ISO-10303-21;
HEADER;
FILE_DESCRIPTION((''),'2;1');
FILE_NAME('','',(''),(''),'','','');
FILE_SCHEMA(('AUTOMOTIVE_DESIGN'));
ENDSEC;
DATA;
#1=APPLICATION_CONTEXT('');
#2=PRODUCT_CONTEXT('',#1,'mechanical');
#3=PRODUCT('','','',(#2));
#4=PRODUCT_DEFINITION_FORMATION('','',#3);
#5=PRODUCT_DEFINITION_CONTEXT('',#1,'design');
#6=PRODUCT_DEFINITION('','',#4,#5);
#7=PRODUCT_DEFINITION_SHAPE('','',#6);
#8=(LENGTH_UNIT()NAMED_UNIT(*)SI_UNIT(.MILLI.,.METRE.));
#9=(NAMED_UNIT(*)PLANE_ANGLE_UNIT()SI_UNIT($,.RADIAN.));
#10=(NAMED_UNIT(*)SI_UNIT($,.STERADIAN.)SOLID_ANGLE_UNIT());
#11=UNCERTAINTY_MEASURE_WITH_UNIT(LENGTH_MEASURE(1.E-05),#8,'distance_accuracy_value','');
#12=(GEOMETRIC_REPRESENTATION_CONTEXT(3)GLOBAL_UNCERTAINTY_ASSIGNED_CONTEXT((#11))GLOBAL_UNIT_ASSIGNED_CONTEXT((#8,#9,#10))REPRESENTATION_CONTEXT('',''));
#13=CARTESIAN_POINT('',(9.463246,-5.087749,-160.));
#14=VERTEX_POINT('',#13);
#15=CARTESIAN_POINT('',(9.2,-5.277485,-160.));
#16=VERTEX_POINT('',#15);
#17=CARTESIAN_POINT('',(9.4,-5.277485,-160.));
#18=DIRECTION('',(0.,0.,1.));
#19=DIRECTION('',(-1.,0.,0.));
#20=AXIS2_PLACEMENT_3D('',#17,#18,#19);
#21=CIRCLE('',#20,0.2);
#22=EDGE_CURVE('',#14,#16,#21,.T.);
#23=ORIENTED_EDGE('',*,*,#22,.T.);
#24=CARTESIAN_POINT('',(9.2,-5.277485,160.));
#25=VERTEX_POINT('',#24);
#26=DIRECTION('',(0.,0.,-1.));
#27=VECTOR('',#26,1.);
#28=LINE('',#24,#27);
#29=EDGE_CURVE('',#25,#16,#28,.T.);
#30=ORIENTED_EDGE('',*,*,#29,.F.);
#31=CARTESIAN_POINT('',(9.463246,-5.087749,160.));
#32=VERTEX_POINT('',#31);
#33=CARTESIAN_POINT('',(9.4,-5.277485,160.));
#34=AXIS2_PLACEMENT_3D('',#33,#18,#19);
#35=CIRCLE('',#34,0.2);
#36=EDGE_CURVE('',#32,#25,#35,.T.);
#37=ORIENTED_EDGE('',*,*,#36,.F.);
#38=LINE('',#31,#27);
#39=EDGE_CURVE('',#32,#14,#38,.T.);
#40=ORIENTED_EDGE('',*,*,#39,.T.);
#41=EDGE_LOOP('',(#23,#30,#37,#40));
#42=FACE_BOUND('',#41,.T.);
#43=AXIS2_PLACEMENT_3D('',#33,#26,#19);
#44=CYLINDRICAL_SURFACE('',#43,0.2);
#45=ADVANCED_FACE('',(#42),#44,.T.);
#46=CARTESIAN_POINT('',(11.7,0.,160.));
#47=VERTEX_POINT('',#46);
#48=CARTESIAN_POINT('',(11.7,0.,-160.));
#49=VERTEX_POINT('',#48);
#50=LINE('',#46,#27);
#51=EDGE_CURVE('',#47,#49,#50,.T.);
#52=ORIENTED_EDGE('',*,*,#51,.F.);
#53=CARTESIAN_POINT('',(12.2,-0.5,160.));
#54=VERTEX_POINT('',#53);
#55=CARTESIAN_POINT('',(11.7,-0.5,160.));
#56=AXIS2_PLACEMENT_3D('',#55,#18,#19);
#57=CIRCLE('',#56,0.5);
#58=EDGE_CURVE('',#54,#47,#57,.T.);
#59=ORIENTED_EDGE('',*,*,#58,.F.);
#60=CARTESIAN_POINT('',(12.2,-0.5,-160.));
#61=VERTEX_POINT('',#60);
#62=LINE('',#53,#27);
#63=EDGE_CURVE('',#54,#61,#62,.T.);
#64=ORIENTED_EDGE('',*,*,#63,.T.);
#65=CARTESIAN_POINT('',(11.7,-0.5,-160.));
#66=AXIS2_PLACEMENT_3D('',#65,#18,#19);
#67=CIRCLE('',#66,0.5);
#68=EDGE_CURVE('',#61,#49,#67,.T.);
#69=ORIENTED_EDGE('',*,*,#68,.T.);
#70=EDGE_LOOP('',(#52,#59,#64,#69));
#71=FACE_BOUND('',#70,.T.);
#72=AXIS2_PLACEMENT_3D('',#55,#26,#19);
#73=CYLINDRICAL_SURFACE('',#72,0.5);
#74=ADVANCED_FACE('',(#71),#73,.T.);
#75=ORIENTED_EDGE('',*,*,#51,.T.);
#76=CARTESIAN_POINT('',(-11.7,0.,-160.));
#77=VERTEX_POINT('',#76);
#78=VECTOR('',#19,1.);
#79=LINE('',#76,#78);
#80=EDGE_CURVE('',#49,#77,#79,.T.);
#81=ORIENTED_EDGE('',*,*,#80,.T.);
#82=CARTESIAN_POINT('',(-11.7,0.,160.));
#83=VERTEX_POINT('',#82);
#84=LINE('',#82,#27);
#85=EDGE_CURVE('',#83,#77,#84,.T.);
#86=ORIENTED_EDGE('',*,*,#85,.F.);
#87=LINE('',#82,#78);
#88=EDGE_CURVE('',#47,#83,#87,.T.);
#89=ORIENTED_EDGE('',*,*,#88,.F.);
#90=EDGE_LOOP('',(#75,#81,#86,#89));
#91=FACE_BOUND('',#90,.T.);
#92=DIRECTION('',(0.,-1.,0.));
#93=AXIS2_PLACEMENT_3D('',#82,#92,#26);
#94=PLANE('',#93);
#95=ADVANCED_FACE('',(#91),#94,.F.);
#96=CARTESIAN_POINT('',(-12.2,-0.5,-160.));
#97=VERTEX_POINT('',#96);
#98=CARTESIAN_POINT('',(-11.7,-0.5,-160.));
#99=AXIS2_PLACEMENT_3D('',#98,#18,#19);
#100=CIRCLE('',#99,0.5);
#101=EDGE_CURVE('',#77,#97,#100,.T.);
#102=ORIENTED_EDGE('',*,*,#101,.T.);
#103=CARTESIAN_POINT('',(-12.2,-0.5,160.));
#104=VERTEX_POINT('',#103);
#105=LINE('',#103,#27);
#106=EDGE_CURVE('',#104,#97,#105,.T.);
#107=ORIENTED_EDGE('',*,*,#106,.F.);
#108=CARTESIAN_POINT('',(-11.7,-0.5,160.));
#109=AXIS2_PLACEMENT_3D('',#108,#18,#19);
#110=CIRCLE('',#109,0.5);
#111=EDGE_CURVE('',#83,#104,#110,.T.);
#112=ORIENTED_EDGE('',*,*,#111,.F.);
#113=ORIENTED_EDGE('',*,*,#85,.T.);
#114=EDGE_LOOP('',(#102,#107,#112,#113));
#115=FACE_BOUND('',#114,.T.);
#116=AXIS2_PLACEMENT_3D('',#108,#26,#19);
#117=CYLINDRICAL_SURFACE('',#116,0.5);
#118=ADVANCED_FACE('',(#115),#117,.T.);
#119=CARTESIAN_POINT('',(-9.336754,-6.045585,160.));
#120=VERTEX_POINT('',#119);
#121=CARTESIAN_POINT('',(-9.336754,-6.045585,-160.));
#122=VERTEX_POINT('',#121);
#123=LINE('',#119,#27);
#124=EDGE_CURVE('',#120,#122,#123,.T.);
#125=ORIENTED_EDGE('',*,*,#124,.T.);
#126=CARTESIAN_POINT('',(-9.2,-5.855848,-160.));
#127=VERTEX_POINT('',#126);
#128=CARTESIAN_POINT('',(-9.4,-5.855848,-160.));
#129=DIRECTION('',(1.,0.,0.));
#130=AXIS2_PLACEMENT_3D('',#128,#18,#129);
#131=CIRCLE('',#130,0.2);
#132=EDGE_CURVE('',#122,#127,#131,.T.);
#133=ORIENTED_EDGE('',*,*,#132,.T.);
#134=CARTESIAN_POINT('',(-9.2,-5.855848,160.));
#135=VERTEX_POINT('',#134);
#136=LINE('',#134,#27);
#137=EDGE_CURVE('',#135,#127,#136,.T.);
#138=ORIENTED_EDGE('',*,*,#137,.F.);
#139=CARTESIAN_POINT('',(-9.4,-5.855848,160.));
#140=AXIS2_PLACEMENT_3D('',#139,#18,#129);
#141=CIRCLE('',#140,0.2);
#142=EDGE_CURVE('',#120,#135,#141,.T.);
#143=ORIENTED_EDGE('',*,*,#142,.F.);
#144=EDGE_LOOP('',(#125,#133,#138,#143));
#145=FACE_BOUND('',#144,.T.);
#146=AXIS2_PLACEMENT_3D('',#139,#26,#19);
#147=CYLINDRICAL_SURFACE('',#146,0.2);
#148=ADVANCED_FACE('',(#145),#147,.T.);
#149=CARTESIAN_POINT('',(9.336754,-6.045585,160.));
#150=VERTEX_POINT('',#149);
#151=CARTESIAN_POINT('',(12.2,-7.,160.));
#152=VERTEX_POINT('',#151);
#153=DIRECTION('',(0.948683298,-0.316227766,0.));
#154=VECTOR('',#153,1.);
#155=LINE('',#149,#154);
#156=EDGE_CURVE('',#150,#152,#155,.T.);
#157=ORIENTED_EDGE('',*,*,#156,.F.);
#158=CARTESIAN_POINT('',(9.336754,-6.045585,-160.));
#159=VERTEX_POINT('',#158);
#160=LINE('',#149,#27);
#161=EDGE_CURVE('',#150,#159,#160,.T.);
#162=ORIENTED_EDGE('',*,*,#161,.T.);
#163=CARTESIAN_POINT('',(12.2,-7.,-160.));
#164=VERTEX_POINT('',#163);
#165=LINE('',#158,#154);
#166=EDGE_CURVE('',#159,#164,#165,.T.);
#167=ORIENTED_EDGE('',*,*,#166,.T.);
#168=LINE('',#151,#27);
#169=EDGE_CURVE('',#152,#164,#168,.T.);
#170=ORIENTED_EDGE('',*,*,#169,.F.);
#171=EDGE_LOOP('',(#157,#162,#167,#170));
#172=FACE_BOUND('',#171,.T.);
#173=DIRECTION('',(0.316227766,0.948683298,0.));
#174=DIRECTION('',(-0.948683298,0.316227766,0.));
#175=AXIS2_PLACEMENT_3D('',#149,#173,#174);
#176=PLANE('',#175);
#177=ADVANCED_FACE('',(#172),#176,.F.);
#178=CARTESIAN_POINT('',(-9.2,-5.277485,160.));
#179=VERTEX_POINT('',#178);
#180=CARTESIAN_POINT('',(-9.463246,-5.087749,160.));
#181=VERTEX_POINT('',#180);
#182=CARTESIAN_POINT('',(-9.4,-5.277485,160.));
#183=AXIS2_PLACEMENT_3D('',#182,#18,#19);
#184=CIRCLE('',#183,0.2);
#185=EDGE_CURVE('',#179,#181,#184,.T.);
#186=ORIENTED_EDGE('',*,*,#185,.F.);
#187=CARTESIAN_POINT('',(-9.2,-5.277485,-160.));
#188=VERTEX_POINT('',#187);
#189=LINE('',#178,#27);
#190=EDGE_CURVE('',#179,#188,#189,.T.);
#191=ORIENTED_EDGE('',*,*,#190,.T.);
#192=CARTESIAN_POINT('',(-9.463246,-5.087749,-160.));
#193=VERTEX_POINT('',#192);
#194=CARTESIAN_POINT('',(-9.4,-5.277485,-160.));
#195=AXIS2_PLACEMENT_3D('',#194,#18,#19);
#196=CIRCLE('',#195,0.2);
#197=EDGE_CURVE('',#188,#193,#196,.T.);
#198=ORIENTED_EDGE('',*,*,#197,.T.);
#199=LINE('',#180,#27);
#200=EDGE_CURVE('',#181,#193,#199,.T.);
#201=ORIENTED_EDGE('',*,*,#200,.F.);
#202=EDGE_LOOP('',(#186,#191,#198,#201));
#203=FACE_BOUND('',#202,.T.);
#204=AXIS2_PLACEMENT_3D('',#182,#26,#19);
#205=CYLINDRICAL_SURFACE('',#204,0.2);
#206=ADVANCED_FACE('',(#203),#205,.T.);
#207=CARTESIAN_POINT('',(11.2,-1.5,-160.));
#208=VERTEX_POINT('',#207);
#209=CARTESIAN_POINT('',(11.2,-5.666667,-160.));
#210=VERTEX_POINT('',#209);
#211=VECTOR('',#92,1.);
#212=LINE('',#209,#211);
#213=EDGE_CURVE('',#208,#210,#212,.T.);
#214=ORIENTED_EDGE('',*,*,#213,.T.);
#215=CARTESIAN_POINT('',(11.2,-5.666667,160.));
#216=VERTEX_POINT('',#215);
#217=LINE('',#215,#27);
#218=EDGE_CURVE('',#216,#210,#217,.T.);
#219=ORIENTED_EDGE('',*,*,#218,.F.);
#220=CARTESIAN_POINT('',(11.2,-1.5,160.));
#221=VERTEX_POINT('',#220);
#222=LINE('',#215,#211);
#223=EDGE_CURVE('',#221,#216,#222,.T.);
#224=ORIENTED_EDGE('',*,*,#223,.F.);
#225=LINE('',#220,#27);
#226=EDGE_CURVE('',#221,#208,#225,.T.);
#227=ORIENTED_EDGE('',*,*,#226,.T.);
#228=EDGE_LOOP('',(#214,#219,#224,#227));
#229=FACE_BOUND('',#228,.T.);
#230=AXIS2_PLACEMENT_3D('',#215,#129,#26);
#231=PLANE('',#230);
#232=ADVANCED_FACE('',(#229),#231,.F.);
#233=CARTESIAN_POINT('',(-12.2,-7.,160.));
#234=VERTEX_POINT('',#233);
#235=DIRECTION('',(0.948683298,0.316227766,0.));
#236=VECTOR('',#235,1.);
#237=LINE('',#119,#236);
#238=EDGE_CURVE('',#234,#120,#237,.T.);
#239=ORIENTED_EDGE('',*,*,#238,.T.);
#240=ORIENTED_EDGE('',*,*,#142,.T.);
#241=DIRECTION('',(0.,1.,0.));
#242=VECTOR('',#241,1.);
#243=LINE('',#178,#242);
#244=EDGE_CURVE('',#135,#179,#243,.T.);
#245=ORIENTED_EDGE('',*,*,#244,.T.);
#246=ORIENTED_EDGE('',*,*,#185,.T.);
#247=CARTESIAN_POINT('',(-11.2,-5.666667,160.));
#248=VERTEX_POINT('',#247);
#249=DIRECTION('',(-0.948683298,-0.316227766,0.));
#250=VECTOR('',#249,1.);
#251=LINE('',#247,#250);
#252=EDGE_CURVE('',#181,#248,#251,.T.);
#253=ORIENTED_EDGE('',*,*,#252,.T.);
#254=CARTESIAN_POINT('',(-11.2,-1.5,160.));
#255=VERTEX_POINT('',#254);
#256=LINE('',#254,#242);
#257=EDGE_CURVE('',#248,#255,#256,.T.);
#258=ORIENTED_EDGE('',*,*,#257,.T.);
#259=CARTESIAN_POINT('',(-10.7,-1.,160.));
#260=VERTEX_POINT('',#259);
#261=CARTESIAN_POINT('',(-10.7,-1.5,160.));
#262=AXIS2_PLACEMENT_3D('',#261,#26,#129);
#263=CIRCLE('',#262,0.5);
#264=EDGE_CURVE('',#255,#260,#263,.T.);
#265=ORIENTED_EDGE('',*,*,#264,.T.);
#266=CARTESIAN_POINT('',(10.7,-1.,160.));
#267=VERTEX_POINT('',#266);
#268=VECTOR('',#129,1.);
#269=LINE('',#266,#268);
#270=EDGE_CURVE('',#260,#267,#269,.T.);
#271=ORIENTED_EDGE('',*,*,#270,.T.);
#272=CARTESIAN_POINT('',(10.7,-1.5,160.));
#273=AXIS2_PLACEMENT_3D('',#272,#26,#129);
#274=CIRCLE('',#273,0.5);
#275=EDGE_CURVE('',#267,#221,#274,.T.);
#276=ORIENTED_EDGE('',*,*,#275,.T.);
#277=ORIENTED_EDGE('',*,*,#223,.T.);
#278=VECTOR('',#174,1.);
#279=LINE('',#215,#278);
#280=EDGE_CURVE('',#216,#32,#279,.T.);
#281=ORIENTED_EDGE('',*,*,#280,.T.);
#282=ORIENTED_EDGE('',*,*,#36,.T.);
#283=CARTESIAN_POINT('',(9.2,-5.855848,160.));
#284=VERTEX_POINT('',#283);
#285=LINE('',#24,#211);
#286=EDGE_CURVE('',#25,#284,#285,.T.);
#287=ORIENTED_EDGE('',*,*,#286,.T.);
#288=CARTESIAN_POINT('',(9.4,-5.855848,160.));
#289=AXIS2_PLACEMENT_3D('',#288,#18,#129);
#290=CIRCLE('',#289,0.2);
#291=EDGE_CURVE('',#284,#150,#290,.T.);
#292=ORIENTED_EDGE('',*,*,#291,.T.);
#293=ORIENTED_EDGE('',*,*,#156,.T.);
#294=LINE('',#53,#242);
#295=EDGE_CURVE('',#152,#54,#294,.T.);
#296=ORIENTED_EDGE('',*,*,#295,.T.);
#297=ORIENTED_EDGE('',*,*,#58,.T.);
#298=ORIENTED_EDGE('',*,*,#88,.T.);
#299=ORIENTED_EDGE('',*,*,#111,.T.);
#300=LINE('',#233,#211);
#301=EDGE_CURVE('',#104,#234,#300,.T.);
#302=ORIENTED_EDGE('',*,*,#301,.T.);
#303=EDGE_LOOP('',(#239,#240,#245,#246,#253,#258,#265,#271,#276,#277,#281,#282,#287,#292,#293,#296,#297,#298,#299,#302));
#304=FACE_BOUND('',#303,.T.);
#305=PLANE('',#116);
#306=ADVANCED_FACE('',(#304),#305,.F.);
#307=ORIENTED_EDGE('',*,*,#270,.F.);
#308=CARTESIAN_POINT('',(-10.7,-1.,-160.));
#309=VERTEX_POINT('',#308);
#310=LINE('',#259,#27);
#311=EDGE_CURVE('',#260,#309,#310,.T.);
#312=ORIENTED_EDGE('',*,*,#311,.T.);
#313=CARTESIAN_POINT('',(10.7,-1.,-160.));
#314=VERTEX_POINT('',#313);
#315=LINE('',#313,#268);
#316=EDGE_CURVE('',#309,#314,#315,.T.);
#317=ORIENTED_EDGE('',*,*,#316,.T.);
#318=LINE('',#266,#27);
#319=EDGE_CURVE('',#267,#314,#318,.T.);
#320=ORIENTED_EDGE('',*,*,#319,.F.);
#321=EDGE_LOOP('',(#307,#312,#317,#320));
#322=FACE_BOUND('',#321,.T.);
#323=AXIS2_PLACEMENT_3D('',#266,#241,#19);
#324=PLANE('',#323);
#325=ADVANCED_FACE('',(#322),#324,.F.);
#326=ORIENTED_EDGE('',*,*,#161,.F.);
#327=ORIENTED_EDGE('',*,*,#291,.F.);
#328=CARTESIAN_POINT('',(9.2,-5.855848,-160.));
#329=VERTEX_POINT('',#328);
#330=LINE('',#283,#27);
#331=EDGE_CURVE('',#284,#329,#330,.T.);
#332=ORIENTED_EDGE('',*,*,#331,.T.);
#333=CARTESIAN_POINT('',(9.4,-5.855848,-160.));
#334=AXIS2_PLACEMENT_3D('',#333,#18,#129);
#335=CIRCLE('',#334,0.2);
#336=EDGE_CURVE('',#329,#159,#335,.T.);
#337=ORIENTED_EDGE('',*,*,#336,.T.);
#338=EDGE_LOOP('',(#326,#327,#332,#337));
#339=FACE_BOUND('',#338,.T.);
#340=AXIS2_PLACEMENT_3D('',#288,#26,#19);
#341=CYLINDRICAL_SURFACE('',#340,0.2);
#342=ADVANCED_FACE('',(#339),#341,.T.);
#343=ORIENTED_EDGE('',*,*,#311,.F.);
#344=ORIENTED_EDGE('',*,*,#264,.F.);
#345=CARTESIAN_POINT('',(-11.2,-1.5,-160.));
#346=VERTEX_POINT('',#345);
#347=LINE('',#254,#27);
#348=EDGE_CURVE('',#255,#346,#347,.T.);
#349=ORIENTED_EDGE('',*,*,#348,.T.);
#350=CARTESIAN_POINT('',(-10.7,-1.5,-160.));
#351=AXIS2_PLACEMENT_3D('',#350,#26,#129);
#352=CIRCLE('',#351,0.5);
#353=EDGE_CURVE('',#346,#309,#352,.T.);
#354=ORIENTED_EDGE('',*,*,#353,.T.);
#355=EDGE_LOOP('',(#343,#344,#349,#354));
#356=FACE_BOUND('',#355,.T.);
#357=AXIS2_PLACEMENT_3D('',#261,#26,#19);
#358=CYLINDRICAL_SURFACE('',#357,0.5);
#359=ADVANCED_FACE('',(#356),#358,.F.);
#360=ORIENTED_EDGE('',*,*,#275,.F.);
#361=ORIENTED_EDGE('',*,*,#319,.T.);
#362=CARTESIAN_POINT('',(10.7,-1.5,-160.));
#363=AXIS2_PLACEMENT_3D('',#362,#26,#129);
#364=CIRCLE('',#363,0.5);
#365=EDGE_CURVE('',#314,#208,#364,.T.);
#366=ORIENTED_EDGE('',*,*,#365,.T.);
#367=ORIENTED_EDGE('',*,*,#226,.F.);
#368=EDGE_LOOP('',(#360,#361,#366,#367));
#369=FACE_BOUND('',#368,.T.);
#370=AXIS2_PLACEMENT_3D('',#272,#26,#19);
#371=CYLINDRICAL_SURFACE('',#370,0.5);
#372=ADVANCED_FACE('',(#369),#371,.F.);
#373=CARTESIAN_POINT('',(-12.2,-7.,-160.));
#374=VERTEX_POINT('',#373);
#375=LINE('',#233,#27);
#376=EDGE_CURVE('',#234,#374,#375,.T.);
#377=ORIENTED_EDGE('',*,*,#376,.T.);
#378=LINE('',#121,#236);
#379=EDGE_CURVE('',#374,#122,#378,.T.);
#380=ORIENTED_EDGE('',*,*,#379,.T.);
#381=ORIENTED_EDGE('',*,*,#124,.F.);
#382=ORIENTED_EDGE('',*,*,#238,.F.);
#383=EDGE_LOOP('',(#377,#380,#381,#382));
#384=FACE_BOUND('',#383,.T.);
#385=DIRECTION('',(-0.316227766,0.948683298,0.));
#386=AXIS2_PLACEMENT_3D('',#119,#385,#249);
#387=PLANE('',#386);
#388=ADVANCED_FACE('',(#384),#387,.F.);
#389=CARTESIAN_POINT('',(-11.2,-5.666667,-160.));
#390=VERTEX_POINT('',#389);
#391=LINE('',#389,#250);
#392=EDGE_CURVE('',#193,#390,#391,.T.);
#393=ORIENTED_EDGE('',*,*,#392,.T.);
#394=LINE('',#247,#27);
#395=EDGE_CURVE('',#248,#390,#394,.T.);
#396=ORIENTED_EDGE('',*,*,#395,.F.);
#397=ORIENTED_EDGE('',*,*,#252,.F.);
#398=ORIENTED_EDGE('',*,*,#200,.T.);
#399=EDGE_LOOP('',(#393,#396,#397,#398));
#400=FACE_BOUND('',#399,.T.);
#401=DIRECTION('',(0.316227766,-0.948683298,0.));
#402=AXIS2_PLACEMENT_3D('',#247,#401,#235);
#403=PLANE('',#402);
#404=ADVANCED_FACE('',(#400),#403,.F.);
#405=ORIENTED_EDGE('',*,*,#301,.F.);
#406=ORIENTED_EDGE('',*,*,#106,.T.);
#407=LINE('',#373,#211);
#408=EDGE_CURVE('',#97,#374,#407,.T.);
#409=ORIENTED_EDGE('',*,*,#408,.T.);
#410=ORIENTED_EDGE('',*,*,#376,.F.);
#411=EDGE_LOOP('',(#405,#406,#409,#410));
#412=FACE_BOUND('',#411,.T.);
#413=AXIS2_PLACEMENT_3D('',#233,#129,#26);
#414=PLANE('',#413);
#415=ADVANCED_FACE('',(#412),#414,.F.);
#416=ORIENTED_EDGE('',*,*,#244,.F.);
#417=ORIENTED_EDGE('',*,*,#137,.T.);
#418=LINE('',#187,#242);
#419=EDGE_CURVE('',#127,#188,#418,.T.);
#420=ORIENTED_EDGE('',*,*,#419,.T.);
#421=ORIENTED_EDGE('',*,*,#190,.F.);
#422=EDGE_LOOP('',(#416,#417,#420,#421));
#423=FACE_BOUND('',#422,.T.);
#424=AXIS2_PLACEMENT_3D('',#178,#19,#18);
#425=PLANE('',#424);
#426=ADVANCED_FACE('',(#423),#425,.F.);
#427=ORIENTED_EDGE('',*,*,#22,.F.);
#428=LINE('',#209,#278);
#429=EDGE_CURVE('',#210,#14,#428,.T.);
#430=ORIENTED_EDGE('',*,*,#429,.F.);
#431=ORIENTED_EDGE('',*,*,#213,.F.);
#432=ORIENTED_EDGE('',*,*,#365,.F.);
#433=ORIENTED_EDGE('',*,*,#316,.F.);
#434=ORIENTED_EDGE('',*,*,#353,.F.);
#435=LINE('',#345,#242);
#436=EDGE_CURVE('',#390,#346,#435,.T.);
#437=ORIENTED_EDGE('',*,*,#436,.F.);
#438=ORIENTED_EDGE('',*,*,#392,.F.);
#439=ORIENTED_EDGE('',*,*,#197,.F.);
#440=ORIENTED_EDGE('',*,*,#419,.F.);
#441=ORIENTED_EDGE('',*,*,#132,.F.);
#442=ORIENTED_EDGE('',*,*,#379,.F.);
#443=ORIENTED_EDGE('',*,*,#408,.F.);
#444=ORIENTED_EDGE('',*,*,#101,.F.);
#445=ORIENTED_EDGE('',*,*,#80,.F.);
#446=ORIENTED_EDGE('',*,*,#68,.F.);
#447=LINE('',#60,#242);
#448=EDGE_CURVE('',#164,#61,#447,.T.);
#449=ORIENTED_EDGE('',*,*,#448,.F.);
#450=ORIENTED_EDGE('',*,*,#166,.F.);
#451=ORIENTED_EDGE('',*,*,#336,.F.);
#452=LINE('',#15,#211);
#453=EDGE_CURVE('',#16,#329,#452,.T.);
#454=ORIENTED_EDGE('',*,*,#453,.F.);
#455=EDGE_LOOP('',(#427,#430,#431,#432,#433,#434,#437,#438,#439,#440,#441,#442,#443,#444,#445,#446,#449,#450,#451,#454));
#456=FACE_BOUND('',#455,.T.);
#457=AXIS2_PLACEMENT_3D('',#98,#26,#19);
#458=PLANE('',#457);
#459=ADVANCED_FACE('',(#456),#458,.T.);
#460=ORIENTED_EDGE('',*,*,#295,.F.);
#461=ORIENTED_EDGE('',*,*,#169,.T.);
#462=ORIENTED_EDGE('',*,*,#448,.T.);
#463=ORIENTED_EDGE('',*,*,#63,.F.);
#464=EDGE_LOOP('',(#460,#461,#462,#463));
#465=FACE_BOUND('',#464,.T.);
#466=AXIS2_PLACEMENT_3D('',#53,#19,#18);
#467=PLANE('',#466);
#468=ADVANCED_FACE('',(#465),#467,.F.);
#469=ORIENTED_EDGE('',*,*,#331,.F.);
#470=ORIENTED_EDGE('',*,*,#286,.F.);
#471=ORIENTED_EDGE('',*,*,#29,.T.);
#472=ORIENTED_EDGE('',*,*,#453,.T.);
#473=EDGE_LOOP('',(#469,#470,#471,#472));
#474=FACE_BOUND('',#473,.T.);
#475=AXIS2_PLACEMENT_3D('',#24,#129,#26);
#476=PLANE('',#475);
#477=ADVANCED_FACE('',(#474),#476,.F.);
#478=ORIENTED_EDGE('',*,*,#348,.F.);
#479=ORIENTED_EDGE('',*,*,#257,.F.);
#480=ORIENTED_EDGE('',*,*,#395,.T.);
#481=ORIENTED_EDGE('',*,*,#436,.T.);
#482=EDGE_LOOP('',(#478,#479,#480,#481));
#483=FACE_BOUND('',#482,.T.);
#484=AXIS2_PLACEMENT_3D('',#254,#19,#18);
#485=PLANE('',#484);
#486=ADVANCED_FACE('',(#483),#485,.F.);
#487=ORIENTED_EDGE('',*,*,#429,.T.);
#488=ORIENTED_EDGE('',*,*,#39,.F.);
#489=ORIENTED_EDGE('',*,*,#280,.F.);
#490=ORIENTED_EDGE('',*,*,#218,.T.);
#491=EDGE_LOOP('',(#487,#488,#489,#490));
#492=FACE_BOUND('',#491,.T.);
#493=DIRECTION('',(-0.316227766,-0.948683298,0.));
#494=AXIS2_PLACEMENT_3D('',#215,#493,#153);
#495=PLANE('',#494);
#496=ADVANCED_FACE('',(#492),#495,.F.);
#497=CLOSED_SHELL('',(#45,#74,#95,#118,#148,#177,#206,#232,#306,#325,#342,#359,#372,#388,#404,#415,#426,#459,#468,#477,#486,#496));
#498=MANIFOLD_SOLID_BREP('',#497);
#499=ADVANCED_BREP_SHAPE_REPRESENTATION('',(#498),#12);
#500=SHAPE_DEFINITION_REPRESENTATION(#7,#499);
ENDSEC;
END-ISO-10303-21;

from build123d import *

# Parameters (mm, degrees)
SALIENTE_EXTRUIR1_DEPTH = 160


with BuildPart() as part:
    # Croquis1 → Saliente-Extruir1 (new, symmetric)
    with BuildSketch(Plane.XY):
        with BuildLine():
            Line((-9.336754447, -6.045584816), (-12.2, -7))
            Line((-12.2, -7), (-12.2, -0.5))
            ThreePointArc((-12.2, -0.5), (-12.053553391, -0.146446609), (-11.7, 0))
            Line((-11.7, 0), (11.7, 0))
            ThreePointArc((11.7, 0), (12.053553391, -0.146446609), (12.2, -0.5))
            Line((12.2, -0.5), (12.2, -7))
            Line((12.2, -7), (9.336754447, -6.045584816))
            ThreePointArc((9.336754447, -6.045584816), (9.237751563, -5.972790213), (9.2, -5.855848156))
            Line((9.2, -5.855848156), (9.2, -5.277485177))
            ThreePointArc((9.2, -5.277485177), (9.283057943, -5.11523674), (9.463245553, -5.087748518))
            Line((9.463245553, -5.087748518), (11.2, -5.666666667))
            Line((11.2, -5.666666667), (11.2, -1.5))
            ThreePointArc((11.2, -1.5), (11.053553391, -1.146446609), (10.7, -1))
            Line((10.7, -1), (-10.7, -1))
            ThreePointArc((-10.7, -1), (-11.053553391, -1.146446609), (-11.2, -1.5))
            Line((-11.2, -1.5), (-11.2, -5.666666667))
            Line((-11.2, -5.666666667), (-9.463245553, -5.087748518))
            ThreePointArc((-9.463245553, -5.087748518), (-9.283057943, -5.11523674), (-9.2, -5.277485177))
            Line((-9.2, -5.277485177), (-9.2, -5.855848156))
            ThreePointArc((-9.2, -5.855848156), (-9.237751563, -5.972790213), (-9.336754447, -6.045584816))
        make_face()
    extrude(amount=SALIENTE_EXTRUIR1_DEPTH, both=True)


solid = part.part
